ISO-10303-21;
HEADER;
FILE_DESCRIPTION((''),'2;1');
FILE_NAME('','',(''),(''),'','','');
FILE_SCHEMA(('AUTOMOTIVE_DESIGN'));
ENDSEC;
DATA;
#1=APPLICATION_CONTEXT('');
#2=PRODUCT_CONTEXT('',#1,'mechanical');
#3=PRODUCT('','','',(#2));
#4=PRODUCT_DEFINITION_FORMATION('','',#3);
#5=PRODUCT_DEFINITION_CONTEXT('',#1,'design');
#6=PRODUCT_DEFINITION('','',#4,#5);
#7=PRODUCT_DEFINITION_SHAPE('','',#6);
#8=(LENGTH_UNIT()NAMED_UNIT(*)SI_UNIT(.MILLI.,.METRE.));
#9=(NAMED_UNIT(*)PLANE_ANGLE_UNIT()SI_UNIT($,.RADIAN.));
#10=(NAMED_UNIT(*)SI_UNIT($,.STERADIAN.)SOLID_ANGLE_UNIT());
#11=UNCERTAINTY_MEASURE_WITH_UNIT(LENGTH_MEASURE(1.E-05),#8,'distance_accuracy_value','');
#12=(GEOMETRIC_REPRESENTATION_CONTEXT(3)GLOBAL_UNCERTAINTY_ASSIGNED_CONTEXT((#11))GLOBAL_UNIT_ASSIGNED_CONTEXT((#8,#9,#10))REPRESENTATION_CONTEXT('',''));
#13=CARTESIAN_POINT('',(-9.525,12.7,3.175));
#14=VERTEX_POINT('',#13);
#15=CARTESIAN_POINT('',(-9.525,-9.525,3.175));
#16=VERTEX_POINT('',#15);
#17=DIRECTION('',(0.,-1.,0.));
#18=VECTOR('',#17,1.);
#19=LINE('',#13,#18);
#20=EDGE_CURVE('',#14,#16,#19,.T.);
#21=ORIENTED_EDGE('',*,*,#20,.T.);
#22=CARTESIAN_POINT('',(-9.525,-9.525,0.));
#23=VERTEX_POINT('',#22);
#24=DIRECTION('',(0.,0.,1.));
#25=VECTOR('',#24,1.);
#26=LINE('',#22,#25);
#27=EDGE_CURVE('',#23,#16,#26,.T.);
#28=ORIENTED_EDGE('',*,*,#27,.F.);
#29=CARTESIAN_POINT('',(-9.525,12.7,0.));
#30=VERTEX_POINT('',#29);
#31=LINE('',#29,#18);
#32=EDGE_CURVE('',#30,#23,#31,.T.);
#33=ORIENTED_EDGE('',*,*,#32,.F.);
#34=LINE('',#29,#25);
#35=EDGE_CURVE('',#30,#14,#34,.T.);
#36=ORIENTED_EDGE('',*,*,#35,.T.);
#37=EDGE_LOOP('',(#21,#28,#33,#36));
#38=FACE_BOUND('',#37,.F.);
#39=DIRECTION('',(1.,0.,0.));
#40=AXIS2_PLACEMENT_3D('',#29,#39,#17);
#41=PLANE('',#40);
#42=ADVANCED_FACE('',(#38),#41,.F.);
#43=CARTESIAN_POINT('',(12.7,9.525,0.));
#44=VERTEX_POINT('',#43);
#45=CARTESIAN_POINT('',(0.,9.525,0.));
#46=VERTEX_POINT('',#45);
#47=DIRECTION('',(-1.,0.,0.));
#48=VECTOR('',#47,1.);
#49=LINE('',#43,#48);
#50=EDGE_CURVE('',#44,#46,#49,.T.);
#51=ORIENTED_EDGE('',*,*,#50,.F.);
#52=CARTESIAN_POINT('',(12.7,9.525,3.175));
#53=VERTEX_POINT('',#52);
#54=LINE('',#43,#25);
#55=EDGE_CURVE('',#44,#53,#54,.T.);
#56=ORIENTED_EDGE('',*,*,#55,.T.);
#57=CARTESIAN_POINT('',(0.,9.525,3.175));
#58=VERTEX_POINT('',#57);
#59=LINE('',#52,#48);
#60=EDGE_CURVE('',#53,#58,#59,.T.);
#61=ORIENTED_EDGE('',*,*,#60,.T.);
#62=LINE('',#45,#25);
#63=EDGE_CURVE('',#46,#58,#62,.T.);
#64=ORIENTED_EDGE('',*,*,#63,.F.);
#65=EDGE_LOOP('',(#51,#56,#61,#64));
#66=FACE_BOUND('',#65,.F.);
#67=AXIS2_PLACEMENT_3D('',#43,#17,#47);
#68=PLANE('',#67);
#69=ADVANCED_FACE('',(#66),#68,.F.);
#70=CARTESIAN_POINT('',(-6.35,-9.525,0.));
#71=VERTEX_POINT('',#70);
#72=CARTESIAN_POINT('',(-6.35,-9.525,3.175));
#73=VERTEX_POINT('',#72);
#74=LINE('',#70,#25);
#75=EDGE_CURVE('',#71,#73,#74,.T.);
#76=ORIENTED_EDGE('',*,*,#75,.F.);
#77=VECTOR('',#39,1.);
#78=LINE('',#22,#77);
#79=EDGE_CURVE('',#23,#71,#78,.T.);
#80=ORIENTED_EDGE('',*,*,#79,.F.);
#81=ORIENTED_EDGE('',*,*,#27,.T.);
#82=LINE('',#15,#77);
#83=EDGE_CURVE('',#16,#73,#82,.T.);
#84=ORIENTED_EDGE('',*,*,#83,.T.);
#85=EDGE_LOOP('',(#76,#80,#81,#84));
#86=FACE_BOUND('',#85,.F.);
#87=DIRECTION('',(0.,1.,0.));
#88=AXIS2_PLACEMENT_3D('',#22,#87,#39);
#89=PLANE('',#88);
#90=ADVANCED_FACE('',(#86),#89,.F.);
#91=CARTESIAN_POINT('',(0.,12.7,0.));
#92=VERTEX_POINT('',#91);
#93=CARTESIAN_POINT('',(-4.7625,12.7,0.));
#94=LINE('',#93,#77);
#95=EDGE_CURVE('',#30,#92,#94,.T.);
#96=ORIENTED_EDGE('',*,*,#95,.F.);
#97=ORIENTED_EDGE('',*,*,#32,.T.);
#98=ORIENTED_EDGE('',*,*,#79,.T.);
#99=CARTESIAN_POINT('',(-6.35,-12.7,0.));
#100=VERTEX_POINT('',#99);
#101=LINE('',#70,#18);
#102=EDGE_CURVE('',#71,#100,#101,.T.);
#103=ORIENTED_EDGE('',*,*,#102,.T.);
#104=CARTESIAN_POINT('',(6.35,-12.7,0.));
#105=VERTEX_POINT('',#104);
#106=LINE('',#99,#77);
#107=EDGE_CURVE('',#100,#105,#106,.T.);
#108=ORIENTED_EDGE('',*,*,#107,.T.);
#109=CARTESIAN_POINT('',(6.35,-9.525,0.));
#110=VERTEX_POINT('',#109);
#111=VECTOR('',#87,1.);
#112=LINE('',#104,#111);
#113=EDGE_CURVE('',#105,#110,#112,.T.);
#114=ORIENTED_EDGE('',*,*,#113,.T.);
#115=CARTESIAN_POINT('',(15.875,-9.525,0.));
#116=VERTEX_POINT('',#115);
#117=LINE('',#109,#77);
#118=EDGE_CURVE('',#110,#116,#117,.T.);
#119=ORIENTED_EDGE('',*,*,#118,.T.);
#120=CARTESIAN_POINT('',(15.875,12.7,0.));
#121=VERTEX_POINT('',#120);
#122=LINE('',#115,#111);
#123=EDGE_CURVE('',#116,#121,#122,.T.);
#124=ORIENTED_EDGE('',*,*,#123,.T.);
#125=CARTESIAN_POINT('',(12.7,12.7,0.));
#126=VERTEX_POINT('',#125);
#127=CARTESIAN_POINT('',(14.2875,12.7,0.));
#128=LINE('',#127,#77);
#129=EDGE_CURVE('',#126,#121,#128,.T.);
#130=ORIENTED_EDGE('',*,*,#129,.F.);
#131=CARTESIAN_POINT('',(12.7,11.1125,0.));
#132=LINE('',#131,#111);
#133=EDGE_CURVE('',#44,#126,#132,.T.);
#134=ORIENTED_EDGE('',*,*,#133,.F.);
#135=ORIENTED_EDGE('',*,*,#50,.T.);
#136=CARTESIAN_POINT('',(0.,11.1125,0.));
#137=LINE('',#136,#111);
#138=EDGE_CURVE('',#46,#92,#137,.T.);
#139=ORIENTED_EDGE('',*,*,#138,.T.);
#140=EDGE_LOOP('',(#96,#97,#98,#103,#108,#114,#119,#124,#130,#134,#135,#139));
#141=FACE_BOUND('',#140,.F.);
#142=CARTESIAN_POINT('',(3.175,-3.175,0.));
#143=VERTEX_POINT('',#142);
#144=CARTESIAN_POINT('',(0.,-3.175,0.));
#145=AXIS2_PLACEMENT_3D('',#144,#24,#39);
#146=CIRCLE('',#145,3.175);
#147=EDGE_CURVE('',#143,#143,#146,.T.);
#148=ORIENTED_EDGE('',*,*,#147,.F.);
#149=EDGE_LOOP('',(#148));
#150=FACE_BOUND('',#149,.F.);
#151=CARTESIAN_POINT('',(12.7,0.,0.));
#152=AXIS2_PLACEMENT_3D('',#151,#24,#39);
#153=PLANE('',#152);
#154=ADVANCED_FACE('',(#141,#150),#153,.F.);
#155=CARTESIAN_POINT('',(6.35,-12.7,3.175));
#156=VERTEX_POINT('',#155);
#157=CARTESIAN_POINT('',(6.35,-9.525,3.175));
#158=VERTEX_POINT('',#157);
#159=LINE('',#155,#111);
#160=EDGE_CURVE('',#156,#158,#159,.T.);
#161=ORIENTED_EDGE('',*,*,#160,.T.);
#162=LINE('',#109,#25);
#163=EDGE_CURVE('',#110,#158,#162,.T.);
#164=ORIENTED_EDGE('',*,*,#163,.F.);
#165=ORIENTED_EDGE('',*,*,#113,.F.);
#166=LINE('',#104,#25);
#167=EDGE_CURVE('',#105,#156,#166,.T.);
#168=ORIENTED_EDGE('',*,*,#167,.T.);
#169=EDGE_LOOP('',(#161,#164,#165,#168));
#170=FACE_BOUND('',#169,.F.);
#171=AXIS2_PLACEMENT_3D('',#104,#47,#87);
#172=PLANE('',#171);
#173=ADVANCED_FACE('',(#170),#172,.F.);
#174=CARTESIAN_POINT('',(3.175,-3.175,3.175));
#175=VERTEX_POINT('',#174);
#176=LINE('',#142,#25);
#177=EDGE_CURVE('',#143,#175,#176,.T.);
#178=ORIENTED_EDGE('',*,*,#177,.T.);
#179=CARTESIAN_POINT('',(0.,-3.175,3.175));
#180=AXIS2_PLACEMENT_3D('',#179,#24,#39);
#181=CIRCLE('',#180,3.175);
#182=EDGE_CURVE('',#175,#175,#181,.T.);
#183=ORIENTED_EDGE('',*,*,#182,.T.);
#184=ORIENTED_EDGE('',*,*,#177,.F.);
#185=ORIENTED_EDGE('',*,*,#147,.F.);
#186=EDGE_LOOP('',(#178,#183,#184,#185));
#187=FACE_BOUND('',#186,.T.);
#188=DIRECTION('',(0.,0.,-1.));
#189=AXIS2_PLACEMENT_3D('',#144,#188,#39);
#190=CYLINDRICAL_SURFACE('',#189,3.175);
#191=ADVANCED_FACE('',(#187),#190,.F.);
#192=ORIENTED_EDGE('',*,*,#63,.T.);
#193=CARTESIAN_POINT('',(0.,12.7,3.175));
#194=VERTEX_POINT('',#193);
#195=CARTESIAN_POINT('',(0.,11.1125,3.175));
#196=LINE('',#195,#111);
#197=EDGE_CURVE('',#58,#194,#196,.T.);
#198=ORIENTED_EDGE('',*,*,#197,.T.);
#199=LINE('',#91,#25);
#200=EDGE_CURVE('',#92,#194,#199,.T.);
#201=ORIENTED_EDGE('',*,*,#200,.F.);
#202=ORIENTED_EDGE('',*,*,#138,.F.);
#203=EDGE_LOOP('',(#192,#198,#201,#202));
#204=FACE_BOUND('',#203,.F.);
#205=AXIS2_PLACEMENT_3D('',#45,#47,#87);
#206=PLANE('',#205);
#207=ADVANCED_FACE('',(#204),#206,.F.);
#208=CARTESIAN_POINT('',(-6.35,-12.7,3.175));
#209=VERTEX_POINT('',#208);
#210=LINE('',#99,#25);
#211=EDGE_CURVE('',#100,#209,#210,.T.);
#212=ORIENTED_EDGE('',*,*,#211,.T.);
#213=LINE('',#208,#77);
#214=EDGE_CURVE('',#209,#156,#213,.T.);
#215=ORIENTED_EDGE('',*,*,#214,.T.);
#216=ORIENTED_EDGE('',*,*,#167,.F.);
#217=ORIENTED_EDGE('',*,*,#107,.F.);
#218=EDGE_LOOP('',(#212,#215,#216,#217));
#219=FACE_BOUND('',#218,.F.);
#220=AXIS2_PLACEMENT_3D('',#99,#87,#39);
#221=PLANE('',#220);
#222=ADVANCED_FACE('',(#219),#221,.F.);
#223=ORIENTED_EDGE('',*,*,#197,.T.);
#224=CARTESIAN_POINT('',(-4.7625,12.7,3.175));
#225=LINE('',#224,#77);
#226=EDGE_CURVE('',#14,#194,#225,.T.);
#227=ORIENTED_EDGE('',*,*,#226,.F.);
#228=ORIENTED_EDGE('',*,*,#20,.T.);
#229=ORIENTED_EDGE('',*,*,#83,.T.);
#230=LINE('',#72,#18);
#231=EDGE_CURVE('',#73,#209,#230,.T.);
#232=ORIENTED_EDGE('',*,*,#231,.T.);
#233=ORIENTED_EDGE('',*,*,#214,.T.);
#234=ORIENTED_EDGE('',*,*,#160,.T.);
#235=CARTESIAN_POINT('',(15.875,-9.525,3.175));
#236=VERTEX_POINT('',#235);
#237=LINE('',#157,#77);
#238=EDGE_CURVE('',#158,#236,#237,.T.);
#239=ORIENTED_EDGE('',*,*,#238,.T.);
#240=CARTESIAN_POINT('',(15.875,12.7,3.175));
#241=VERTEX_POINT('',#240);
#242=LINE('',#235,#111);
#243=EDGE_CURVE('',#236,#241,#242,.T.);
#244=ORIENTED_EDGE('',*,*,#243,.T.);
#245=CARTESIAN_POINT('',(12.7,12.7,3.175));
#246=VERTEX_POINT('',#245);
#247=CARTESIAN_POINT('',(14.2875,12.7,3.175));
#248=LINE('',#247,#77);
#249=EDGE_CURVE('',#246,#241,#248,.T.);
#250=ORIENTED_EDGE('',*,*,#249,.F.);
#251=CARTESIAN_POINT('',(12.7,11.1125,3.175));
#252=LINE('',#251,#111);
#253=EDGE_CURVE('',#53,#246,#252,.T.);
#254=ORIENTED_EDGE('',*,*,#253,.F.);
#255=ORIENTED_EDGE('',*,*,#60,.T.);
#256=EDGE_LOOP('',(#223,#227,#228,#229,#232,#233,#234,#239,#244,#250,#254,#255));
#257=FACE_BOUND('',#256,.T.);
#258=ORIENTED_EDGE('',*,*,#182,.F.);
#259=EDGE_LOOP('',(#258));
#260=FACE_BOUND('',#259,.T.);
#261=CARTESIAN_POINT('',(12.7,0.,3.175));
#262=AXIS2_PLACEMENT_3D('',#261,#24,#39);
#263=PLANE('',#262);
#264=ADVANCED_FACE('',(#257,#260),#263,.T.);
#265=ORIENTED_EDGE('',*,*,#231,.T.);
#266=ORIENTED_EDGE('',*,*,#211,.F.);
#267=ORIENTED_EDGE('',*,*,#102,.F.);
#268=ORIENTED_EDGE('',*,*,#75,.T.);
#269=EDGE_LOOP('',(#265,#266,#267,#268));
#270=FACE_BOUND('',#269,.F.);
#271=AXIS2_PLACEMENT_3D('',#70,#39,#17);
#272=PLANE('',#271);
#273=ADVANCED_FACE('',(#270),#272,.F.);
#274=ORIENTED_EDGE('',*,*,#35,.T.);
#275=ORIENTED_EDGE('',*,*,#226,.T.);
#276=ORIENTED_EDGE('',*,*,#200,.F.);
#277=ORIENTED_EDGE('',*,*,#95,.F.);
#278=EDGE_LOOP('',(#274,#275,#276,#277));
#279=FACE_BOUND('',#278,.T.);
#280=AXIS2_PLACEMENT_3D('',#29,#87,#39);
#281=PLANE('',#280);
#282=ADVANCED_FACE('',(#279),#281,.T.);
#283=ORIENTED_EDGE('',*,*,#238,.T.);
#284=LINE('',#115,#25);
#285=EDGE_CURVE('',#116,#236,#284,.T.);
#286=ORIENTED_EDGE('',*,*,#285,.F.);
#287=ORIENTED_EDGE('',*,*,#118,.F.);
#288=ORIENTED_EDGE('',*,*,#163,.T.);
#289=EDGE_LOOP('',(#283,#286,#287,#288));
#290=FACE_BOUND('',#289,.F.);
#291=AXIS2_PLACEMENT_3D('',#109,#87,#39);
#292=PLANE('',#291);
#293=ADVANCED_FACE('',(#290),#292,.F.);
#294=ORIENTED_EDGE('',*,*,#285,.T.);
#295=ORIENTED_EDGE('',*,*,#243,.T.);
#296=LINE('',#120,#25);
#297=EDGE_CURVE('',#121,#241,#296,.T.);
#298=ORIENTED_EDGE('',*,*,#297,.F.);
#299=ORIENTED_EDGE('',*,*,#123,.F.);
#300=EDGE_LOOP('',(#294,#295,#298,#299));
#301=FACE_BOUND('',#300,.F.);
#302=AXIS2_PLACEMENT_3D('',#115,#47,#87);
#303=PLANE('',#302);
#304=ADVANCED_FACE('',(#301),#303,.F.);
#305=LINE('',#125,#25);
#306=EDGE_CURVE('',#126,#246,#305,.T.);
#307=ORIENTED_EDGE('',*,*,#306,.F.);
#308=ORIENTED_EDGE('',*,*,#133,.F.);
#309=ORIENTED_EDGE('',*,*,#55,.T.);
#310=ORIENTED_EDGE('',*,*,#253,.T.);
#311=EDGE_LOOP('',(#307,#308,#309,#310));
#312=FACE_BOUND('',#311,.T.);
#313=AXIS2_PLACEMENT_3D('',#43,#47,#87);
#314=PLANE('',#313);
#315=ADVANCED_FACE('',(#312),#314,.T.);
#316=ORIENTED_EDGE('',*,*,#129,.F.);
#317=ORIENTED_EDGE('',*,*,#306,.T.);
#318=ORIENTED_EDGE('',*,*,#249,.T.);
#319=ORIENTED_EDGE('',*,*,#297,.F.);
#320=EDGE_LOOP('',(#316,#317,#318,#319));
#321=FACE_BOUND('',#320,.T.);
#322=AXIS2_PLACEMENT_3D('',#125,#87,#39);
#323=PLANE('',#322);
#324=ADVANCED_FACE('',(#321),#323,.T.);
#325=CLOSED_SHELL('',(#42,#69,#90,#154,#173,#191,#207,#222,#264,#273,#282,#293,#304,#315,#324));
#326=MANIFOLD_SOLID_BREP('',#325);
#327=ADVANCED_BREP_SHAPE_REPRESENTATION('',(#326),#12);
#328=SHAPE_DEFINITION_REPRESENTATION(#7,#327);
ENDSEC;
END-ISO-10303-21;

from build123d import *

# Parameters (mm, degrees)
F0_W     = 3.175
F0_H     = 3.175
F0_W_2   = 9.525
F0_R     = 3.175
F1_DEPTH = 3.175


with BuildPart() as f1:
    # F0 (on Top) → F1 (new body)
    with BuildSketch(Plane.XY):
        Polygon((9.525, 9.525), (9.525, -9.525), (15.875, -9.525), (15.875, 9.525), (12.7, 9.525), align=None)
        with Locations((14.2875, 11.1125)):
            Rectangle(F0_W, F0_H)
        with Locations((-4.7625, 11.1125)):
            Rectangle(F0_W_2, F0_H)
        Polygon((6.35, -9.525), (9.525, -9.525), (9.525, 9.525), (0, 9.525), (-9.525, 9.525), (-9.525, -9.525), (-6.35, -9.525), (-6.35, -12.7), (6.35, -12.7), align=None)
        with Locations((0, -3.175)):
            Circle(F0_R, mode=Mode.SUBTRACT)
    extrude(amount=F1_DEPTH)


solid = f1.part
